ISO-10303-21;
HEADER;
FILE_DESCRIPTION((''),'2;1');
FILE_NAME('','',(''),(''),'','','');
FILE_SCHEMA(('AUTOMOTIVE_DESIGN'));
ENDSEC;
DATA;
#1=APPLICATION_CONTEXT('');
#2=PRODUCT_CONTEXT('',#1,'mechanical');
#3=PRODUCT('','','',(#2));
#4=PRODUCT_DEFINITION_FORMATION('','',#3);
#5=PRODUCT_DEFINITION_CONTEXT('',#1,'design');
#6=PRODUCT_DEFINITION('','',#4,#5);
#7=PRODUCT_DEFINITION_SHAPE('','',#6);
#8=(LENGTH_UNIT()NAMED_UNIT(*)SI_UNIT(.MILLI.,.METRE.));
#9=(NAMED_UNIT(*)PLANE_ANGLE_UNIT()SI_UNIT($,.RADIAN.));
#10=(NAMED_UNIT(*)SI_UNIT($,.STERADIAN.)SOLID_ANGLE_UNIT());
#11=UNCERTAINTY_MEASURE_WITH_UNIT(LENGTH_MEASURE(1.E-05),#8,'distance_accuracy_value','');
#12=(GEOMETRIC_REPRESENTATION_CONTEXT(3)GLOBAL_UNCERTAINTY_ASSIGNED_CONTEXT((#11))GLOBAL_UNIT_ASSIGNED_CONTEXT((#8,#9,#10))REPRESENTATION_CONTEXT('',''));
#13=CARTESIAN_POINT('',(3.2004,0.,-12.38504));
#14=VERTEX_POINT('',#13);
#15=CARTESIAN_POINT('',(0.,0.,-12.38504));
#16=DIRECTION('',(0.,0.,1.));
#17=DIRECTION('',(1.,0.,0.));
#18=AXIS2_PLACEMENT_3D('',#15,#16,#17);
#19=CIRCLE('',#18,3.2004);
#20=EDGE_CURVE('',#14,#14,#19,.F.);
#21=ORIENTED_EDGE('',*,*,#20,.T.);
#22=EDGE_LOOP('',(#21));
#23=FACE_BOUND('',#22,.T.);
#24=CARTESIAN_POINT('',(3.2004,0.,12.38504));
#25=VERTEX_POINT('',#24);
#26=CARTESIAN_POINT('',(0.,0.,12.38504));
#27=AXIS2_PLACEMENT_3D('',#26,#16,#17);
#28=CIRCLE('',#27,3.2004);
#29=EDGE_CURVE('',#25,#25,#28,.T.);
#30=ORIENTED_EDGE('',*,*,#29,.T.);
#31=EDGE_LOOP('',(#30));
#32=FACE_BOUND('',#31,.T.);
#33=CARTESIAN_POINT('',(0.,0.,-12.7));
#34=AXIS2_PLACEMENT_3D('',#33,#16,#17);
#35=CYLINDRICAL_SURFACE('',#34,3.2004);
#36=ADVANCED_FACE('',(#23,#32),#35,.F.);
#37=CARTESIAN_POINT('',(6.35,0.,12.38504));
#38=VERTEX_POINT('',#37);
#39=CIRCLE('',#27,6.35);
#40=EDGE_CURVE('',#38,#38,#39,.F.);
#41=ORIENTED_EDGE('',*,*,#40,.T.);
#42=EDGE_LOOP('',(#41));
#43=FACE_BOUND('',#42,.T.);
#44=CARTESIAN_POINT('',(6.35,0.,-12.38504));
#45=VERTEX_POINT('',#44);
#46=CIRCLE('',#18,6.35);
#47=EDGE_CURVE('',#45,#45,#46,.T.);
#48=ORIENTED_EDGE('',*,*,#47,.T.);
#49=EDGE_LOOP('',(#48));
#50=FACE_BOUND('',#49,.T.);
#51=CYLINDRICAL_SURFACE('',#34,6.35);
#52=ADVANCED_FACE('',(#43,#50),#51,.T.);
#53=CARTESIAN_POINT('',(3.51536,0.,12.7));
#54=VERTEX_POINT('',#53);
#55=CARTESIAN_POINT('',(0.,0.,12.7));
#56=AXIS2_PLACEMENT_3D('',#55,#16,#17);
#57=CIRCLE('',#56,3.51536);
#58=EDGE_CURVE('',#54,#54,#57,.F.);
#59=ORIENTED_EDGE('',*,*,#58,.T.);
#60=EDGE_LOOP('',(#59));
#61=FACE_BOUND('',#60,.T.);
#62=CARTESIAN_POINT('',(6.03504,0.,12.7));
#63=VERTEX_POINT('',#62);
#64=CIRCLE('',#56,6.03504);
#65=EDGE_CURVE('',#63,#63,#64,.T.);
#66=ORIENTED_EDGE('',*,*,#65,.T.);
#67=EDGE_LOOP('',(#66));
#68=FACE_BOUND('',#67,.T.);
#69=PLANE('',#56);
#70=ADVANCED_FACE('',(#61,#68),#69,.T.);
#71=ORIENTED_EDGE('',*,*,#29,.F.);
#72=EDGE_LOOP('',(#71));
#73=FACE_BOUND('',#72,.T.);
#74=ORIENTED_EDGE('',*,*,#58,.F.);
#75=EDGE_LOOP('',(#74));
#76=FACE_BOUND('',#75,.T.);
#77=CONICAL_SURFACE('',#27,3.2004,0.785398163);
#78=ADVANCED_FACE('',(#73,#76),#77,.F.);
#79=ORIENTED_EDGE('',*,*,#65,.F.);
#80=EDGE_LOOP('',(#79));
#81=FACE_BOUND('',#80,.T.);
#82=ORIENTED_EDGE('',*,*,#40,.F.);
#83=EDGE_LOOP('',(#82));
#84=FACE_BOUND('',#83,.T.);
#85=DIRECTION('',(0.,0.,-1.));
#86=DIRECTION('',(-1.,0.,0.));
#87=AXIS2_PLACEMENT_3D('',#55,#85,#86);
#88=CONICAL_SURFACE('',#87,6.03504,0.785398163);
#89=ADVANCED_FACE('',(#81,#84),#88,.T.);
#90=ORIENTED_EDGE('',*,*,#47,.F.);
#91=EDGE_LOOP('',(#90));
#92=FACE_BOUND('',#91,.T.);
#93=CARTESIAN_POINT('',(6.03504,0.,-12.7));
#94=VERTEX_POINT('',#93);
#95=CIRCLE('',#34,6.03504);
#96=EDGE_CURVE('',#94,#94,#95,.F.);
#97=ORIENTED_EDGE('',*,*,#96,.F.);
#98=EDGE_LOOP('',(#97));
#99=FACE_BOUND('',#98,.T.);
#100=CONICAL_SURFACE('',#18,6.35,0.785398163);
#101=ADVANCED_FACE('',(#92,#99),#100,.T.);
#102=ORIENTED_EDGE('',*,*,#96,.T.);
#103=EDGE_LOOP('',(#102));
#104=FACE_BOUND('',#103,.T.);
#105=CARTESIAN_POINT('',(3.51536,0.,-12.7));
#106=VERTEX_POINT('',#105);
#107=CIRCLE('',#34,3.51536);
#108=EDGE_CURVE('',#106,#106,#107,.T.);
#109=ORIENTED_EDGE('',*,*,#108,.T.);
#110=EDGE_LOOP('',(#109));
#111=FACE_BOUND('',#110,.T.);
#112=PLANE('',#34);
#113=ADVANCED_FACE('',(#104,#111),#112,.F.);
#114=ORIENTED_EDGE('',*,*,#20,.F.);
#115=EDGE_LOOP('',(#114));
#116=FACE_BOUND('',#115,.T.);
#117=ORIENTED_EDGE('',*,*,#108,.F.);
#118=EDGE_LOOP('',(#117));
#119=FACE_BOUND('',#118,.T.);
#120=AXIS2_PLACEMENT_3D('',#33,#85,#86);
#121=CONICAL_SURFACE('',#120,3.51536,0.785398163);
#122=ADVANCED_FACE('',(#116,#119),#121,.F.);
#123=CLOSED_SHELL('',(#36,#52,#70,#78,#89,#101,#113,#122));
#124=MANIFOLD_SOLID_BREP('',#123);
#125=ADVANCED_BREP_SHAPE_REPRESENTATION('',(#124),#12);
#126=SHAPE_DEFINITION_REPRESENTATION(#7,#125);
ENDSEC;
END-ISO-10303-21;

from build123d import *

# Parameters (mm, degrees)
BOSS_EXTRUDE1_DEPTH      = 12.7
BOSS_EXTRUDE1_DEPTH_BACK = 12.7
SKETCH3_R                = 6.35
SKETCH3_R_2              = 3.2004
CHAMFER1_SIZE            = 0.31496


with BuildPart() as part:
    # Sketch3 → Boss-Extrude1 (new, two sides: drawn at the far end of the back side and taken through both)
    with BuildSketch(Plane.XY.offset(-BOSS_EXTRUDE1_DEPTH_BACK)):
        Circle(SKETCH3_R)
        Circle(SKETCH3_R_2, mode=Mode.SUBTRACT)
    extrude(amount=BOSS_EXTRUDE1_DEPTH + BOSS_EXTRUDE1_DEPTH_BACK)

    # Chamfer1
    chamfer1_edges = [part.edges().sort_by_distance(p)[0] for p in [
        (-6.35, 0, -12.7),
        (-3.2004, 0, -12.7),
        (-6.35, 0, 12.7),
        (-3.2004, 0, 12.7),
    ]]
    chamfer(chamfer1_edges, length=CHAMFER1_SIZE)


solid = part.part
